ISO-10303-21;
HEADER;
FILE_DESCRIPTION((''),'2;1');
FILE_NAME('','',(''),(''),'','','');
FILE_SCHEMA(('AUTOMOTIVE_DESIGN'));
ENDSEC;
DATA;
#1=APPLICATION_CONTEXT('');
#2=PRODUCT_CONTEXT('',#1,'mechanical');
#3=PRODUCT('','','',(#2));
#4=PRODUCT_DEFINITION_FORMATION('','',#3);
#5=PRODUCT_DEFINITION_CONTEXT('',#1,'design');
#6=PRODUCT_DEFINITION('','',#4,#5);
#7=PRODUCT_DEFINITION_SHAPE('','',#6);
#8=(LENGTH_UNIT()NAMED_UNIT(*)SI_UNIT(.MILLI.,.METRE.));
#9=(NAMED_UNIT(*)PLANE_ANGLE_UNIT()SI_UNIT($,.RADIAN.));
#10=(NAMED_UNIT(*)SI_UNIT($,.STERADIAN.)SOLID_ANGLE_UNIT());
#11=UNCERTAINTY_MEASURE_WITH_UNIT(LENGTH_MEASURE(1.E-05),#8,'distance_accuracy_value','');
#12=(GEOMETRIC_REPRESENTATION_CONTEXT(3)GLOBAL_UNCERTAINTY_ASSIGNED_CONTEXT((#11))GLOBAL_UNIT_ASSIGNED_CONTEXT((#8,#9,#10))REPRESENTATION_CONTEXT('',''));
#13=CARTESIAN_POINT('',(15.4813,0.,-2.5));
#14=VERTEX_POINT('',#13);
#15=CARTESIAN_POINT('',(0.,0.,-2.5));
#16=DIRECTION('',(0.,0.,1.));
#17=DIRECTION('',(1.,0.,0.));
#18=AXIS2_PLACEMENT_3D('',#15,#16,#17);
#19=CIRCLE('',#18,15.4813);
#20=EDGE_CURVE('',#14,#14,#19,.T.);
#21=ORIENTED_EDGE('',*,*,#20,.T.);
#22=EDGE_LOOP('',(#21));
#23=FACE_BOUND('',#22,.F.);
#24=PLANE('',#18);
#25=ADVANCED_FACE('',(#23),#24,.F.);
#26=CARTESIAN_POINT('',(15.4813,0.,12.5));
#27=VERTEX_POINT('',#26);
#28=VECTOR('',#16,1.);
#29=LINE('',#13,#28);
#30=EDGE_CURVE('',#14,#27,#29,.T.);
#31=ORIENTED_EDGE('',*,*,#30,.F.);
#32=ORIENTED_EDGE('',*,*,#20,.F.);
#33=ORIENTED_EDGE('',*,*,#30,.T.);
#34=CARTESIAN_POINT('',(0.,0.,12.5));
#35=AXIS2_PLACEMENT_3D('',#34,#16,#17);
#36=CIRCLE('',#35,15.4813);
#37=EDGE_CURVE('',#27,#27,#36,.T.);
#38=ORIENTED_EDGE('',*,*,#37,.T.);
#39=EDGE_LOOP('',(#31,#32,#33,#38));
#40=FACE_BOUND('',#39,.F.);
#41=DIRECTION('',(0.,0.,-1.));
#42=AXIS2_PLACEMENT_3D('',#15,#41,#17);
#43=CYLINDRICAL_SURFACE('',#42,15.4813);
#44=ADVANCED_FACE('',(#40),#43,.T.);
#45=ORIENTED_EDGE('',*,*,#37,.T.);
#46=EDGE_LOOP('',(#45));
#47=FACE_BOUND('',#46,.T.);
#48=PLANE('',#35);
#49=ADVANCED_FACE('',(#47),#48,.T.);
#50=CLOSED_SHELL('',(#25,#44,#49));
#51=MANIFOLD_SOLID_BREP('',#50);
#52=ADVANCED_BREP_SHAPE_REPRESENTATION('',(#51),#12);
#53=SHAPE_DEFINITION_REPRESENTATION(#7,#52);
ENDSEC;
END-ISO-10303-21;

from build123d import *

# Parameters (mm, degrees)
CYLINDER_R     = 15.4813
CYLINDER_DEPTH = 15


with BuildPart() as part:
    # Cylinder → Cylinder (new body)
    with BuildSketch(Plane.XY.offset(-2.5)):
        Circle(CYLINDER_R)
    extrude(amount=CYLINDER_DEPTH)


solid = part.part
